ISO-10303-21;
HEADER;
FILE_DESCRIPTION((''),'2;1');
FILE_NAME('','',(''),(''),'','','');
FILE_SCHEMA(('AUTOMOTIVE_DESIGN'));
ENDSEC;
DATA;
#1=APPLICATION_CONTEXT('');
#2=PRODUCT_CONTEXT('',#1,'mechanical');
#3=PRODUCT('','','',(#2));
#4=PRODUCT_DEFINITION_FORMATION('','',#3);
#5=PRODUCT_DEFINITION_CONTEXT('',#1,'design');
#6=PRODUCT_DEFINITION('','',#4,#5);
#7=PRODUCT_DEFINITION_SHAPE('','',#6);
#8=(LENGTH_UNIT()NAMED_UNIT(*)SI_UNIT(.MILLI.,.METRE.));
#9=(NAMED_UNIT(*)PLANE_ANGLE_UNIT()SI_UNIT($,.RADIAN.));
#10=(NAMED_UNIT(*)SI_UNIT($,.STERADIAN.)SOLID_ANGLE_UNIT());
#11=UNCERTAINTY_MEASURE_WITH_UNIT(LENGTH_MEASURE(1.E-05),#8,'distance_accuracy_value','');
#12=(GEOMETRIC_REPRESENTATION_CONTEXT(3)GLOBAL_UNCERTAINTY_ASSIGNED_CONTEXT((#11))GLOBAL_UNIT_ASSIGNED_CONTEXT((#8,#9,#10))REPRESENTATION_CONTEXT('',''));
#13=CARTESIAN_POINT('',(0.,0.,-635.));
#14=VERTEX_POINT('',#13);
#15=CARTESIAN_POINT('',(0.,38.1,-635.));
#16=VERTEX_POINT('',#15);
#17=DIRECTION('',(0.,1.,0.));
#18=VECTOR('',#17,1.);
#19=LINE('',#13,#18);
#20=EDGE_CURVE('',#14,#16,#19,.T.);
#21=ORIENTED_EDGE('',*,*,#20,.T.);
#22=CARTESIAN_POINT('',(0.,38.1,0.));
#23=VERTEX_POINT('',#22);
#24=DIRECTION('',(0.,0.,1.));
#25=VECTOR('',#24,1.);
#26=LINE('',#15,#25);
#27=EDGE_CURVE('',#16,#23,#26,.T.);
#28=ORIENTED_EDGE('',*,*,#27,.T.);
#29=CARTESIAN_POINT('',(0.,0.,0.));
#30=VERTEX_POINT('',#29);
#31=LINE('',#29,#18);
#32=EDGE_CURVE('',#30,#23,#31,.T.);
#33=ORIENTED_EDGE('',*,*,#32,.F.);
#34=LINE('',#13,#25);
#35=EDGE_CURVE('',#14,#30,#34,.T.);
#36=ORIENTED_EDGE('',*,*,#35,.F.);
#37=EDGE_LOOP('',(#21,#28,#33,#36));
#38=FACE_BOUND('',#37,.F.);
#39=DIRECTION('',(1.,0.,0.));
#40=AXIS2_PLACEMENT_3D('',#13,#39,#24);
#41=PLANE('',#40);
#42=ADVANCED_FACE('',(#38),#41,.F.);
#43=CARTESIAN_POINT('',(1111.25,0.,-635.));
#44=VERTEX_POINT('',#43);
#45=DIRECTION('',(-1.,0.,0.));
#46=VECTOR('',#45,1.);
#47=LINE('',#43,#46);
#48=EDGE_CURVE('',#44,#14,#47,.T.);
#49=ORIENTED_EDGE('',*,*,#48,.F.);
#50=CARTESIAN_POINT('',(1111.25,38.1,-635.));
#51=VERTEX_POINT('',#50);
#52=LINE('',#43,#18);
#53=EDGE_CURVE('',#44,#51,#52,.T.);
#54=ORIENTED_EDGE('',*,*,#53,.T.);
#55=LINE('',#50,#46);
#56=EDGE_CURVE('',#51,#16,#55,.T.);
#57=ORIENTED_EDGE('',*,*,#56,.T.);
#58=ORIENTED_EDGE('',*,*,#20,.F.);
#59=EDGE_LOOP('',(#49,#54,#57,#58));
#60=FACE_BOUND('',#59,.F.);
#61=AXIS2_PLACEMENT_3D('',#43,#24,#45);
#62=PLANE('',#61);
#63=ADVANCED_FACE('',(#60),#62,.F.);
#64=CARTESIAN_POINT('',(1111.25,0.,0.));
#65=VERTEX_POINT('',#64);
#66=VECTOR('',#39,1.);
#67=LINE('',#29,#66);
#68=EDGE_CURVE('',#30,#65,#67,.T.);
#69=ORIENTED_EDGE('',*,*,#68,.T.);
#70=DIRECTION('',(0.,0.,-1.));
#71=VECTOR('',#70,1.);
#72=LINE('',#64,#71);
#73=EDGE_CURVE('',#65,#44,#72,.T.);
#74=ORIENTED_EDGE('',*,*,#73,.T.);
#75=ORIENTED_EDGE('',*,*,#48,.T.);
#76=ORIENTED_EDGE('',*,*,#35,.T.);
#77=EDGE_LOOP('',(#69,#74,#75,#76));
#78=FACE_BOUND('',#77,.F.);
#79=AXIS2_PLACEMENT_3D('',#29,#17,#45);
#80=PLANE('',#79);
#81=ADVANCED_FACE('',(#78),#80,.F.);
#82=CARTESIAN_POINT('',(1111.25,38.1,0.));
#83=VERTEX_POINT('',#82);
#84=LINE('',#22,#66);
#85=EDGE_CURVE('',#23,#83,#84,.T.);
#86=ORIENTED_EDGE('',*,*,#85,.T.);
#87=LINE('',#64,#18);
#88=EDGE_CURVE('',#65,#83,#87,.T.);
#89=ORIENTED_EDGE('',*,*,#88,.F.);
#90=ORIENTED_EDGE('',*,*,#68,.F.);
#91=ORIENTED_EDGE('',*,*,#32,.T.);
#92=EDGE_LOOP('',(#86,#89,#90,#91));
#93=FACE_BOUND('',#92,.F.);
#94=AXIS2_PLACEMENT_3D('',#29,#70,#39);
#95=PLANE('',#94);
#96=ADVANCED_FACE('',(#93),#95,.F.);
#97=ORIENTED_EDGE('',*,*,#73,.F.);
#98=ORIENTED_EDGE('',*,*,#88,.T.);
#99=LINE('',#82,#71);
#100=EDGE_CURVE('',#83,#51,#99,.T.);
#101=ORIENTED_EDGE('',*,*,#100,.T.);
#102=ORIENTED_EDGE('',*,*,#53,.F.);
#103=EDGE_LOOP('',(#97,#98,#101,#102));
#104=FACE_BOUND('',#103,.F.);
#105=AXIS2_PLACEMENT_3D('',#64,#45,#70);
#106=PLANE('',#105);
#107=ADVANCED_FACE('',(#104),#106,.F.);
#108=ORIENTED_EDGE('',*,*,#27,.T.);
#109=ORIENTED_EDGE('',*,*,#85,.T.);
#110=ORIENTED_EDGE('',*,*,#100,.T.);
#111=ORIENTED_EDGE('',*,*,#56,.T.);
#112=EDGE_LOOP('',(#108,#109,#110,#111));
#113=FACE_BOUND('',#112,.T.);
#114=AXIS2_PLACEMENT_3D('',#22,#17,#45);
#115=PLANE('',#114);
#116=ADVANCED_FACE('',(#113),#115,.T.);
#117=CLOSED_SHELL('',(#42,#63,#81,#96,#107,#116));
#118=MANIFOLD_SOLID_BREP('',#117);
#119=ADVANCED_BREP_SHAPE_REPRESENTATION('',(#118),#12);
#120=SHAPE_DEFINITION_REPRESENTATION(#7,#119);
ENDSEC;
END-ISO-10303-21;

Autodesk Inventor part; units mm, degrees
ref_plane "YZ Plane" through (0, 0, 0) normal (1, 0, 0) x (0, 1, 0)
ref_plane "XZ Plane" through (0, 0, 0) normal (0, 1, 0) x (-1, 0, 0)
ref_plane "XY Plane" through (0, 0, 0) normal (0, 0, 1) x (1, 0, 0)
sketch "Sketch1" plane through (0, 0, 0) normal (0, 1, 0) x (-1, 0, 0)
  line L0 (0, 0) -> (-1111.25, 0)
  line L1 (-1111.25, 0) -> (-1111.25, -635)
  line L2 (-1111.25, -635) -> (0, -635)
  line L3 (0, -635) -> (0, 0)
  dimension "d6" = 635
  dimension "d7" = 1111.25
extrude "Extrusion1" add sketch "Sketch1" along normal blind 38.1
properties part number "Butcher_Block--1.5_x_24_x_42.75_in"
